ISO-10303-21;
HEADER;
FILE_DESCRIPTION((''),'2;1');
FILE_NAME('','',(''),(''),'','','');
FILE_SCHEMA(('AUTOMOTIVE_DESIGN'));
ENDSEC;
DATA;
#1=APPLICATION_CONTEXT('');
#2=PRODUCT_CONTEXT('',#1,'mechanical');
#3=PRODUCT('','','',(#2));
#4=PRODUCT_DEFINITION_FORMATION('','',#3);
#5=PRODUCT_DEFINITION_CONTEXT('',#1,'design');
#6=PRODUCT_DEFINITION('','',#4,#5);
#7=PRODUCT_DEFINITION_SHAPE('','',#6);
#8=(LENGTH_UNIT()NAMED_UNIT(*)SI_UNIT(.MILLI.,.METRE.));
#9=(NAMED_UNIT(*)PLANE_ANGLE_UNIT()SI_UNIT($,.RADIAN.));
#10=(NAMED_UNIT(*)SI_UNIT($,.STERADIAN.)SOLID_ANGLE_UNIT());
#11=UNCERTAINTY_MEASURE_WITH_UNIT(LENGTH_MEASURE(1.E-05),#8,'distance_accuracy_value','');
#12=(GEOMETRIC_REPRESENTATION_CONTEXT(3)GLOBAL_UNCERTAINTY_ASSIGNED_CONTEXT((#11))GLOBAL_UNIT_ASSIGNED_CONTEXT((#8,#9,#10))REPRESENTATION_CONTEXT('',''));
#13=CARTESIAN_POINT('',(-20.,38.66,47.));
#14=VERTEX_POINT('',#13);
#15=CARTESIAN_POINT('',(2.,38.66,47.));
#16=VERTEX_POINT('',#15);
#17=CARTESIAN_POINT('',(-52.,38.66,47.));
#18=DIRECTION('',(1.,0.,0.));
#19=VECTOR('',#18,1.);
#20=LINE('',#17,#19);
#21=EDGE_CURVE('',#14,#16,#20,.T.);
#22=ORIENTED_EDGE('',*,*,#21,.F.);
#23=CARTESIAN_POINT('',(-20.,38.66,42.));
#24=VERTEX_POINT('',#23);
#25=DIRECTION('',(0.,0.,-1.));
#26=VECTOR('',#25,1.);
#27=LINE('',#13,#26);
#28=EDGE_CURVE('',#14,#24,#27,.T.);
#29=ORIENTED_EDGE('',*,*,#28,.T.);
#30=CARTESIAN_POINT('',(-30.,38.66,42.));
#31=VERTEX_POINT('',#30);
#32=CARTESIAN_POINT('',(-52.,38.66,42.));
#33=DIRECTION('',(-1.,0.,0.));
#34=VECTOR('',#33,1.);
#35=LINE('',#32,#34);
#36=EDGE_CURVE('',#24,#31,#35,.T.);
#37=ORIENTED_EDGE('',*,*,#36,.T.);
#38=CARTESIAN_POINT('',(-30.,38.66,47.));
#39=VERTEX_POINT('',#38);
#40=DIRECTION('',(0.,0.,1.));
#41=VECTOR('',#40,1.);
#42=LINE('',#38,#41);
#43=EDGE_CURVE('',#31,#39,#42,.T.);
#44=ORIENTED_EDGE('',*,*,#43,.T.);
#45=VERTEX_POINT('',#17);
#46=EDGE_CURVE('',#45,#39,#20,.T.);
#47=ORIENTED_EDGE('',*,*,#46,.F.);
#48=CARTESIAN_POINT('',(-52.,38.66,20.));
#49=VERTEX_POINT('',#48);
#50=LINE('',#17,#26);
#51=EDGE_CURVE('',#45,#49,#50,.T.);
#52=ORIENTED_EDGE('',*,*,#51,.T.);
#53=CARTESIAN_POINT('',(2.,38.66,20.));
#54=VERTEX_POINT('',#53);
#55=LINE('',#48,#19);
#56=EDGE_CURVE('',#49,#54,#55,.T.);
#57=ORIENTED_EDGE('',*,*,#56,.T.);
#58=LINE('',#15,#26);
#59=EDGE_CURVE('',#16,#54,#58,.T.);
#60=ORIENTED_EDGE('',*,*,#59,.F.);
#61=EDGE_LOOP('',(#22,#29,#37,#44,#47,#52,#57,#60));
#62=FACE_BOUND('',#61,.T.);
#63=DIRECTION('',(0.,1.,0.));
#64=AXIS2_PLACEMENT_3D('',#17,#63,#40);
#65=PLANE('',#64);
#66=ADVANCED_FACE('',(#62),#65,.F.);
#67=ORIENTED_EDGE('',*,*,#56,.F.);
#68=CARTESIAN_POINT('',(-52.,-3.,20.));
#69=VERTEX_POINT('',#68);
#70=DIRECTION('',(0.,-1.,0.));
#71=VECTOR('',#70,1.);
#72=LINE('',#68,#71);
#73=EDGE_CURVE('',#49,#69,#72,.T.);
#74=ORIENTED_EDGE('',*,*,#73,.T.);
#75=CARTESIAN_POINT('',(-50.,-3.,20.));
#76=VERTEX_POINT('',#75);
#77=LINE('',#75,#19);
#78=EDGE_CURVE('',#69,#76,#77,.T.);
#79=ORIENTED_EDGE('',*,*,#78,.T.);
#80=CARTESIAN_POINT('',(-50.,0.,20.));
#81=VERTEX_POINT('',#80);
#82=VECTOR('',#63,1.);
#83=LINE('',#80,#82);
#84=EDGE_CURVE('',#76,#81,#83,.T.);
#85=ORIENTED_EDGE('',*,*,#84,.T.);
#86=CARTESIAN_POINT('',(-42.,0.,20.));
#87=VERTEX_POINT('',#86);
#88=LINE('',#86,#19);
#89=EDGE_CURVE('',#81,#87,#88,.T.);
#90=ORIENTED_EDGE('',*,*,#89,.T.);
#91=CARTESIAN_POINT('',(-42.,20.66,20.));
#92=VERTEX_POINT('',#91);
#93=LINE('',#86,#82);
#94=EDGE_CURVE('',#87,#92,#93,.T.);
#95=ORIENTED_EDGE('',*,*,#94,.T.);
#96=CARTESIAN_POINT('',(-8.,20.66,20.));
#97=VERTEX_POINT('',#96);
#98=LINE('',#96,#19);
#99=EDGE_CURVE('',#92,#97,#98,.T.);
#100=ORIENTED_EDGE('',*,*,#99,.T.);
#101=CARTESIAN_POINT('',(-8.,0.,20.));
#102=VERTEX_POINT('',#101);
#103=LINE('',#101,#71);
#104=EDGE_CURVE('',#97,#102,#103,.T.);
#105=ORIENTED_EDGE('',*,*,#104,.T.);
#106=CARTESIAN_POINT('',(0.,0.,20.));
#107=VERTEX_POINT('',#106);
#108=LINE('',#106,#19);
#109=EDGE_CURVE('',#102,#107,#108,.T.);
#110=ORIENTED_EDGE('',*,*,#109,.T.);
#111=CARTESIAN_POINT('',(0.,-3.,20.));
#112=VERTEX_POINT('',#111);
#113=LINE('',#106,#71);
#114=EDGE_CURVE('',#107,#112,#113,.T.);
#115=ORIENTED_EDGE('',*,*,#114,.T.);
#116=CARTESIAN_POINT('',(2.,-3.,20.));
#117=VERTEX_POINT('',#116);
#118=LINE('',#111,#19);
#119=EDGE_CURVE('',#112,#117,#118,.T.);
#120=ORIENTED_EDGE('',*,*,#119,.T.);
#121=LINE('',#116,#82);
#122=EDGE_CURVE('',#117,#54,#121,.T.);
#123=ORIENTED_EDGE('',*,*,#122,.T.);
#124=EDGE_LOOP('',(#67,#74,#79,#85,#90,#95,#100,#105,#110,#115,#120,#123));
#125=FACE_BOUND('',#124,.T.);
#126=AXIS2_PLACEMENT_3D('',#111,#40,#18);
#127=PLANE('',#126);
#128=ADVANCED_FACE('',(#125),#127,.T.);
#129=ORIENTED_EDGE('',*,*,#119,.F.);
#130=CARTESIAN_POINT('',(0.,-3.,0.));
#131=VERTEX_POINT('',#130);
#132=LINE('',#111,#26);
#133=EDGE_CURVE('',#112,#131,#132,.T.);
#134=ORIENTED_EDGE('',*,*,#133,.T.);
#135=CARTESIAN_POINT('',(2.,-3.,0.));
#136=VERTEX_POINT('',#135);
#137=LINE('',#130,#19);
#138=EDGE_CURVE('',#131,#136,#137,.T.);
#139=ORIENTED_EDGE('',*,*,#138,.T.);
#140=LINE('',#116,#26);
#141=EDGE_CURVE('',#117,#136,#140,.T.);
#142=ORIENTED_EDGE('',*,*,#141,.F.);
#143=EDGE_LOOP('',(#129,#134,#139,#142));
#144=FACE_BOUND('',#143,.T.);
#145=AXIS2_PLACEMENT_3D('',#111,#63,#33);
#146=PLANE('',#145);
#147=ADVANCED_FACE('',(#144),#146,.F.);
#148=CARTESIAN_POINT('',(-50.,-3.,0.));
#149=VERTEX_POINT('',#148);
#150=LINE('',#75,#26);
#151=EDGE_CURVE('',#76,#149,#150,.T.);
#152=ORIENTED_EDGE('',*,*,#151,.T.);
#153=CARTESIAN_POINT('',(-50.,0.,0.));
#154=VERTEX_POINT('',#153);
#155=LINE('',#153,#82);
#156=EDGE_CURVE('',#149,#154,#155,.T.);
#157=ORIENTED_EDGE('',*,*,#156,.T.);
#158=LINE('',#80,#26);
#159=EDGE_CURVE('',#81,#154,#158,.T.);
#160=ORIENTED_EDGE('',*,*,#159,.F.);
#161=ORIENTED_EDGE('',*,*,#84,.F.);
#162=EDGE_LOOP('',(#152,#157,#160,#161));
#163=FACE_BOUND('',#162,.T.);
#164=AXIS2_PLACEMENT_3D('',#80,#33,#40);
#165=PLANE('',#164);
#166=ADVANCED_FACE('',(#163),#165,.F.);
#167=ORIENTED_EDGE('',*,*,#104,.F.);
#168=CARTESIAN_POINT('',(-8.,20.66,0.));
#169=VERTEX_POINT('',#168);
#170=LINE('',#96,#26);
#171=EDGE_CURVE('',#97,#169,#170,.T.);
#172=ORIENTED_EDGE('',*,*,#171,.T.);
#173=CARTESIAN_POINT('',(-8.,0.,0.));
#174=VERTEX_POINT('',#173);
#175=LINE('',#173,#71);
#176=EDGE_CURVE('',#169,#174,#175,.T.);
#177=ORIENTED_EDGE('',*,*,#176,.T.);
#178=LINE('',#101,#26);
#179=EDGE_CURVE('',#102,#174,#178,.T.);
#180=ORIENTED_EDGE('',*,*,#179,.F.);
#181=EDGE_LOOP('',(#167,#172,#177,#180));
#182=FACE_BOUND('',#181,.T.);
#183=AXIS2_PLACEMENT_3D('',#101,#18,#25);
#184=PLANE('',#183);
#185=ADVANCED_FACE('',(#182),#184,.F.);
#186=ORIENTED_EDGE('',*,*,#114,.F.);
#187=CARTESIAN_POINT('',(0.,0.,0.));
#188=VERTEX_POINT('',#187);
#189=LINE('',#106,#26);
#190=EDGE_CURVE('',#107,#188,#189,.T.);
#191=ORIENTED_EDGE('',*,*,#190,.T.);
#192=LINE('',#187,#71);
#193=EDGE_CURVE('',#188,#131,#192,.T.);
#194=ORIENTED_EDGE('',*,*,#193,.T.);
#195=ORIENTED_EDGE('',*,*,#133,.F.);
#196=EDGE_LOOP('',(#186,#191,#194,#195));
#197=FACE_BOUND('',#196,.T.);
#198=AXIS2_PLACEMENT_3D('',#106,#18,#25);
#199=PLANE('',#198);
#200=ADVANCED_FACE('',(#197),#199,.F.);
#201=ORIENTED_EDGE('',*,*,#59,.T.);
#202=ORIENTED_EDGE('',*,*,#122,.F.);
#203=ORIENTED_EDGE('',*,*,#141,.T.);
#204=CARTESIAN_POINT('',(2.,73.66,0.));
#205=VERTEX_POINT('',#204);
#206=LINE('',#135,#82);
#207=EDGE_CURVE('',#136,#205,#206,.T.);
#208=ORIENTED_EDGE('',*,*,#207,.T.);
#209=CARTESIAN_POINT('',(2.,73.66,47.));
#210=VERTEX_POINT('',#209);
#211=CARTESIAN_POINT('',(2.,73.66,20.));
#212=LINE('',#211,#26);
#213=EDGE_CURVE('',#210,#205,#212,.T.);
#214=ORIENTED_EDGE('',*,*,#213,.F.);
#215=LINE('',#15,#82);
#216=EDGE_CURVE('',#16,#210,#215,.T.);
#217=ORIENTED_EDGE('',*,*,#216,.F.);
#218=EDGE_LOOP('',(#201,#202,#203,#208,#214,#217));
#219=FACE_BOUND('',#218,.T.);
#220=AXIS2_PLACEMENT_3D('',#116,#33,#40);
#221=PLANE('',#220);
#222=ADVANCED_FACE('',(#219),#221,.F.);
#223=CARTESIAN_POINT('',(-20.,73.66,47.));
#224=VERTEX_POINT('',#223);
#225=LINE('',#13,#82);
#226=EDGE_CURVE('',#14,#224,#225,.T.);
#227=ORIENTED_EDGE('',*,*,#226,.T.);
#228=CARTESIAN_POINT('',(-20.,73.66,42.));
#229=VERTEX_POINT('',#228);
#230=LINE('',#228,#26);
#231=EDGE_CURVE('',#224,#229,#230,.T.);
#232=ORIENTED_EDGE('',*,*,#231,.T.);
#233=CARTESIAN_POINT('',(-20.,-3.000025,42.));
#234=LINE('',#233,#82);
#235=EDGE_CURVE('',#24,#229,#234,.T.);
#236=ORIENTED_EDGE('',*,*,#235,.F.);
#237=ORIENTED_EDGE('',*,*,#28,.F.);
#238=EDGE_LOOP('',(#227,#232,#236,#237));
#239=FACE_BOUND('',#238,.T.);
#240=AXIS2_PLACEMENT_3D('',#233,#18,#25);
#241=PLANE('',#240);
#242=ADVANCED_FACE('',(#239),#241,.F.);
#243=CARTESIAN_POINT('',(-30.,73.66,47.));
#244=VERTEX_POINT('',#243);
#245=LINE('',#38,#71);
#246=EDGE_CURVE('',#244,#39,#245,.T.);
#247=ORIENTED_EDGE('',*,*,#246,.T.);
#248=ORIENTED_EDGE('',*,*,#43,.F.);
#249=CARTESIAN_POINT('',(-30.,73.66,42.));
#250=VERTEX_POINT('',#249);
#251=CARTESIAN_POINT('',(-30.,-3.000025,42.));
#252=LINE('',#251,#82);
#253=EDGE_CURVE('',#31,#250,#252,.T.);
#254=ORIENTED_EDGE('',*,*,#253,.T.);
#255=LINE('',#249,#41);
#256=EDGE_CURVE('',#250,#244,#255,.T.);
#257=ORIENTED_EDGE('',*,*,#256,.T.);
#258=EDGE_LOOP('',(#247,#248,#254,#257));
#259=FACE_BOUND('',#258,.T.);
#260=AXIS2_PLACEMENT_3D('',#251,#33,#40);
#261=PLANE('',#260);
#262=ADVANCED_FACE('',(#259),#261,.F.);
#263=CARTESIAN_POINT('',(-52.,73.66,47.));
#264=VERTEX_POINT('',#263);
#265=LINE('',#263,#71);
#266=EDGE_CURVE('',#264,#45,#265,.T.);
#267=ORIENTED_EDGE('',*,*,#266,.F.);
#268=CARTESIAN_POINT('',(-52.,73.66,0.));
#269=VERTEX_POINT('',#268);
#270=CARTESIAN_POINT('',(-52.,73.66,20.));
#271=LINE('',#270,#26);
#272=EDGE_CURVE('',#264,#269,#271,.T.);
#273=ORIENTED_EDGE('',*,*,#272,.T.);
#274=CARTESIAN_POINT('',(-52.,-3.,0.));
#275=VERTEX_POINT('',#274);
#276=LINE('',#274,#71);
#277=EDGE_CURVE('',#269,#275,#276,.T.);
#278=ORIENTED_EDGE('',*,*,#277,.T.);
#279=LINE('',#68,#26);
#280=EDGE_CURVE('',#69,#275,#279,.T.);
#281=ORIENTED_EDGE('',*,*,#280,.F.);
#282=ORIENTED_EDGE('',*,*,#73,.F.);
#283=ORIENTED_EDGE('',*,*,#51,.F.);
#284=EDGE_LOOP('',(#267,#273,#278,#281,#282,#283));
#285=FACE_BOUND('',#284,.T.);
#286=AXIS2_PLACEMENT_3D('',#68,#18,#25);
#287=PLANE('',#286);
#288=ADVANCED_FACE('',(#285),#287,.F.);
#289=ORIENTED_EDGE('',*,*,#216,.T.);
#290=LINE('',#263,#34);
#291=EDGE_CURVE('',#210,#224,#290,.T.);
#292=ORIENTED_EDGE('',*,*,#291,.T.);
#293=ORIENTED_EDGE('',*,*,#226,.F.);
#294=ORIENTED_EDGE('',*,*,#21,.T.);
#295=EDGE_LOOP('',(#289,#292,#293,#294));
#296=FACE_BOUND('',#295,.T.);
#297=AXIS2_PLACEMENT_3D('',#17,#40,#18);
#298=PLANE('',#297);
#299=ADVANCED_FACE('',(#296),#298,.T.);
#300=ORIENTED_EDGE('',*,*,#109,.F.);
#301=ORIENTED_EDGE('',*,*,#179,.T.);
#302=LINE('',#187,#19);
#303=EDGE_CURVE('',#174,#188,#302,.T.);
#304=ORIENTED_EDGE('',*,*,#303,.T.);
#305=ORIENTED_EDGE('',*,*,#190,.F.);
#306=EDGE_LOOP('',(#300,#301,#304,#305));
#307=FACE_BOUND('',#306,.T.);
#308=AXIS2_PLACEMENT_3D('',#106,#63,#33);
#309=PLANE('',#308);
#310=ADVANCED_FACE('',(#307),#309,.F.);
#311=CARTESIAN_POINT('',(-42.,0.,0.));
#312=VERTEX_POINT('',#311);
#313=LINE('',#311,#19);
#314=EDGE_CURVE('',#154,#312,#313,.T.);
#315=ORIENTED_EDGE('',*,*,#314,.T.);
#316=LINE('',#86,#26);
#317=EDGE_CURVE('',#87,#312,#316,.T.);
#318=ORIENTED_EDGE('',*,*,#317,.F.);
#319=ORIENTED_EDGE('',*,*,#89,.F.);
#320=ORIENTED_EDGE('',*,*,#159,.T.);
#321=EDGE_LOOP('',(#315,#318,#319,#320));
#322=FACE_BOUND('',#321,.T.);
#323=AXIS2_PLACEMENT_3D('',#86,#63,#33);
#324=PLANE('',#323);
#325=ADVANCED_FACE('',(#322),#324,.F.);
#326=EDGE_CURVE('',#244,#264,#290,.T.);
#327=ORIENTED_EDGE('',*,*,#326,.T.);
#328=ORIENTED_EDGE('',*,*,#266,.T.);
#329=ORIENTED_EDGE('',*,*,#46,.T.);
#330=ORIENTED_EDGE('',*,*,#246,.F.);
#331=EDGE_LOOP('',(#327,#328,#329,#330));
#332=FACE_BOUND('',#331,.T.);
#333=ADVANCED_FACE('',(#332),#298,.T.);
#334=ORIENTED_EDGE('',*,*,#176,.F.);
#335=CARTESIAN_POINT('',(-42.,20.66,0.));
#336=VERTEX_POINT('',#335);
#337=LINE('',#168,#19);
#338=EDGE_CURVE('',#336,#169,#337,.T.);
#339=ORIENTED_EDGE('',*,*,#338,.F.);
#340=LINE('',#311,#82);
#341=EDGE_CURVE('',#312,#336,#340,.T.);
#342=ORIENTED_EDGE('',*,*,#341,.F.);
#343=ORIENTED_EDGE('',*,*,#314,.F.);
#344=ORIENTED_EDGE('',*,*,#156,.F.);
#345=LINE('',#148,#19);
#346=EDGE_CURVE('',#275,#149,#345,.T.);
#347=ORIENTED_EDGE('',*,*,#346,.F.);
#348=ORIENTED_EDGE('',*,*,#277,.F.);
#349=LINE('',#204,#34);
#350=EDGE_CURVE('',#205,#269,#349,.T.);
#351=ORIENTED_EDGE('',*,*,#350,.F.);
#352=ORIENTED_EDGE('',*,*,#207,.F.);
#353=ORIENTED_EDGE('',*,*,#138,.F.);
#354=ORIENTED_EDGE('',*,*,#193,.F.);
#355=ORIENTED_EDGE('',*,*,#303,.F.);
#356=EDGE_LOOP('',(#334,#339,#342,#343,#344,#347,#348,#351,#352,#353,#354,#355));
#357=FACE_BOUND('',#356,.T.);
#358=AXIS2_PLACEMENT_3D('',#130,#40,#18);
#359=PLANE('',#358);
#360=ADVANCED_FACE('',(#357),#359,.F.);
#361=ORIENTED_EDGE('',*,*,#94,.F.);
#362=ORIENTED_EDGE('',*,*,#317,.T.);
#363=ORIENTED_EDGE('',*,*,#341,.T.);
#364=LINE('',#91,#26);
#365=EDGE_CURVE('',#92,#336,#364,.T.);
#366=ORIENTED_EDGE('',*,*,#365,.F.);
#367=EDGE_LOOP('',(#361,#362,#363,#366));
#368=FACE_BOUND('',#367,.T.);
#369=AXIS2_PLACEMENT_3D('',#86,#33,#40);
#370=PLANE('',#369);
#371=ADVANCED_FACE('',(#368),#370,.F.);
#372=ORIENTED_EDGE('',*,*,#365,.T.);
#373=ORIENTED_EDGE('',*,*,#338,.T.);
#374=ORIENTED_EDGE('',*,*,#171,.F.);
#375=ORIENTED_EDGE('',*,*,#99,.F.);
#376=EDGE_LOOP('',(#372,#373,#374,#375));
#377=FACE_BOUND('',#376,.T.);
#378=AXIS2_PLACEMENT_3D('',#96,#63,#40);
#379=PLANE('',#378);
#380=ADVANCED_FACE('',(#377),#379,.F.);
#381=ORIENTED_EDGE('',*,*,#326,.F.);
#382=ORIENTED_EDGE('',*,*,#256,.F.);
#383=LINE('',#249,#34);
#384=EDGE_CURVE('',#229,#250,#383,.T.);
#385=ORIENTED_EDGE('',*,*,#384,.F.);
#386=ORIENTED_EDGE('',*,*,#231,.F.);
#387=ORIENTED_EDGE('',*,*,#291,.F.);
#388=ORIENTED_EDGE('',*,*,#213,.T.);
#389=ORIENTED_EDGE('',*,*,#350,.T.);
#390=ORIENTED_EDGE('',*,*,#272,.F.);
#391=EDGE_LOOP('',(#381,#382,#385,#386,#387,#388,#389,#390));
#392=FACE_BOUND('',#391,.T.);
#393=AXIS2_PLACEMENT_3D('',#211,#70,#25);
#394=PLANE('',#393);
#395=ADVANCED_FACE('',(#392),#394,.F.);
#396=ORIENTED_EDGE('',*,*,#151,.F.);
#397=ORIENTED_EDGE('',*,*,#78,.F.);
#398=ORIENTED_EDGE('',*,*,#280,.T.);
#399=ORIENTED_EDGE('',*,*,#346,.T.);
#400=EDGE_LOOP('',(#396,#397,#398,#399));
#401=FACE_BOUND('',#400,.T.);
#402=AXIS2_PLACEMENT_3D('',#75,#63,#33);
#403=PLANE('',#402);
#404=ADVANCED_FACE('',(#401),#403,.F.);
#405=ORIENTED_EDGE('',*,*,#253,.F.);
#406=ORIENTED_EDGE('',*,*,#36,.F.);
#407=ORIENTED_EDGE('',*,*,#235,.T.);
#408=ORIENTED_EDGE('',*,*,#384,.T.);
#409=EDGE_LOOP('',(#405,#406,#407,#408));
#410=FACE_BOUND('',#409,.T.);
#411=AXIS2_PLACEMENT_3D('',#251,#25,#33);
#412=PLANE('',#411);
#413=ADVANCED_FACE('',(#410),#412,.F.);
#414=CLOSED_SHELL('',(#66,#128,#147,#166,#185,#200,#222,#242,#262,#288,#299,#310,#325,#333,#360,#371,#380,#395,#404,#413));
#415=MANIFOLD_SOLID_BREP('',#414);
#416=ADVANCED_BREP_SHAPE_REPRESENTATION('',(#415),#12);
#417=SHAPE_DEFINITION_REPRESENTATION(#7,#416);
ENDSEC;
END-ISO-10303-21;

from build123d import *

# Parameters (mm, degrees)
EXTRUSION1_DEPTH = 20
ESQUISSE2_W      = 54
ESQUISSE2_H      = 35
EXTRUSION2_DEPTH = 27
ESQUISSE4_W      = 10
ESQUISSE4_H      = 5
EXTRUSION4_DEPTH = 77.66


with BuildPart() as part:
    # Esquisse1 → Extrusion1 (new body)
    with BuildSketch(Plane.XY):
        Polygon((0, 0), (-8, 0), (-8, 20.66), (-42, 20.66), (-42, 0), (-50, 0), (-50, -3), (-52, -3), (-52, 73.66), (2, 73.66), (2, -3), (0, -3), align=None)
    extrude(amount=EXTRUSION1_DEPTH)

    # Esquisse2 → Extrusion2 (add)
    with BuildSketch(Plane.XY.offset(20)):
        with Locations((-25, 56.16)):
            Rectangle(ESQUISSE2_W, ESQUISSE2_H)
    extrude(amount=EXTRUSION2_DEPTH)

    # Esquisse4 → Extrusion4 (cut, through all)
    with BuildSketch(Plane(origin=(0, 73.66, 0), x_dir=(1, 0, 0), z_dir=(0, 1, 0))):
        with Locations((-25, -44.5)):
            Rectangle(ESQUISSE4_W, ESQUISSE4_H)
    extrude(amount=-EXTRUSION4_DEPTH, mode=Mode.SUBTRACT)


solid = part.part
